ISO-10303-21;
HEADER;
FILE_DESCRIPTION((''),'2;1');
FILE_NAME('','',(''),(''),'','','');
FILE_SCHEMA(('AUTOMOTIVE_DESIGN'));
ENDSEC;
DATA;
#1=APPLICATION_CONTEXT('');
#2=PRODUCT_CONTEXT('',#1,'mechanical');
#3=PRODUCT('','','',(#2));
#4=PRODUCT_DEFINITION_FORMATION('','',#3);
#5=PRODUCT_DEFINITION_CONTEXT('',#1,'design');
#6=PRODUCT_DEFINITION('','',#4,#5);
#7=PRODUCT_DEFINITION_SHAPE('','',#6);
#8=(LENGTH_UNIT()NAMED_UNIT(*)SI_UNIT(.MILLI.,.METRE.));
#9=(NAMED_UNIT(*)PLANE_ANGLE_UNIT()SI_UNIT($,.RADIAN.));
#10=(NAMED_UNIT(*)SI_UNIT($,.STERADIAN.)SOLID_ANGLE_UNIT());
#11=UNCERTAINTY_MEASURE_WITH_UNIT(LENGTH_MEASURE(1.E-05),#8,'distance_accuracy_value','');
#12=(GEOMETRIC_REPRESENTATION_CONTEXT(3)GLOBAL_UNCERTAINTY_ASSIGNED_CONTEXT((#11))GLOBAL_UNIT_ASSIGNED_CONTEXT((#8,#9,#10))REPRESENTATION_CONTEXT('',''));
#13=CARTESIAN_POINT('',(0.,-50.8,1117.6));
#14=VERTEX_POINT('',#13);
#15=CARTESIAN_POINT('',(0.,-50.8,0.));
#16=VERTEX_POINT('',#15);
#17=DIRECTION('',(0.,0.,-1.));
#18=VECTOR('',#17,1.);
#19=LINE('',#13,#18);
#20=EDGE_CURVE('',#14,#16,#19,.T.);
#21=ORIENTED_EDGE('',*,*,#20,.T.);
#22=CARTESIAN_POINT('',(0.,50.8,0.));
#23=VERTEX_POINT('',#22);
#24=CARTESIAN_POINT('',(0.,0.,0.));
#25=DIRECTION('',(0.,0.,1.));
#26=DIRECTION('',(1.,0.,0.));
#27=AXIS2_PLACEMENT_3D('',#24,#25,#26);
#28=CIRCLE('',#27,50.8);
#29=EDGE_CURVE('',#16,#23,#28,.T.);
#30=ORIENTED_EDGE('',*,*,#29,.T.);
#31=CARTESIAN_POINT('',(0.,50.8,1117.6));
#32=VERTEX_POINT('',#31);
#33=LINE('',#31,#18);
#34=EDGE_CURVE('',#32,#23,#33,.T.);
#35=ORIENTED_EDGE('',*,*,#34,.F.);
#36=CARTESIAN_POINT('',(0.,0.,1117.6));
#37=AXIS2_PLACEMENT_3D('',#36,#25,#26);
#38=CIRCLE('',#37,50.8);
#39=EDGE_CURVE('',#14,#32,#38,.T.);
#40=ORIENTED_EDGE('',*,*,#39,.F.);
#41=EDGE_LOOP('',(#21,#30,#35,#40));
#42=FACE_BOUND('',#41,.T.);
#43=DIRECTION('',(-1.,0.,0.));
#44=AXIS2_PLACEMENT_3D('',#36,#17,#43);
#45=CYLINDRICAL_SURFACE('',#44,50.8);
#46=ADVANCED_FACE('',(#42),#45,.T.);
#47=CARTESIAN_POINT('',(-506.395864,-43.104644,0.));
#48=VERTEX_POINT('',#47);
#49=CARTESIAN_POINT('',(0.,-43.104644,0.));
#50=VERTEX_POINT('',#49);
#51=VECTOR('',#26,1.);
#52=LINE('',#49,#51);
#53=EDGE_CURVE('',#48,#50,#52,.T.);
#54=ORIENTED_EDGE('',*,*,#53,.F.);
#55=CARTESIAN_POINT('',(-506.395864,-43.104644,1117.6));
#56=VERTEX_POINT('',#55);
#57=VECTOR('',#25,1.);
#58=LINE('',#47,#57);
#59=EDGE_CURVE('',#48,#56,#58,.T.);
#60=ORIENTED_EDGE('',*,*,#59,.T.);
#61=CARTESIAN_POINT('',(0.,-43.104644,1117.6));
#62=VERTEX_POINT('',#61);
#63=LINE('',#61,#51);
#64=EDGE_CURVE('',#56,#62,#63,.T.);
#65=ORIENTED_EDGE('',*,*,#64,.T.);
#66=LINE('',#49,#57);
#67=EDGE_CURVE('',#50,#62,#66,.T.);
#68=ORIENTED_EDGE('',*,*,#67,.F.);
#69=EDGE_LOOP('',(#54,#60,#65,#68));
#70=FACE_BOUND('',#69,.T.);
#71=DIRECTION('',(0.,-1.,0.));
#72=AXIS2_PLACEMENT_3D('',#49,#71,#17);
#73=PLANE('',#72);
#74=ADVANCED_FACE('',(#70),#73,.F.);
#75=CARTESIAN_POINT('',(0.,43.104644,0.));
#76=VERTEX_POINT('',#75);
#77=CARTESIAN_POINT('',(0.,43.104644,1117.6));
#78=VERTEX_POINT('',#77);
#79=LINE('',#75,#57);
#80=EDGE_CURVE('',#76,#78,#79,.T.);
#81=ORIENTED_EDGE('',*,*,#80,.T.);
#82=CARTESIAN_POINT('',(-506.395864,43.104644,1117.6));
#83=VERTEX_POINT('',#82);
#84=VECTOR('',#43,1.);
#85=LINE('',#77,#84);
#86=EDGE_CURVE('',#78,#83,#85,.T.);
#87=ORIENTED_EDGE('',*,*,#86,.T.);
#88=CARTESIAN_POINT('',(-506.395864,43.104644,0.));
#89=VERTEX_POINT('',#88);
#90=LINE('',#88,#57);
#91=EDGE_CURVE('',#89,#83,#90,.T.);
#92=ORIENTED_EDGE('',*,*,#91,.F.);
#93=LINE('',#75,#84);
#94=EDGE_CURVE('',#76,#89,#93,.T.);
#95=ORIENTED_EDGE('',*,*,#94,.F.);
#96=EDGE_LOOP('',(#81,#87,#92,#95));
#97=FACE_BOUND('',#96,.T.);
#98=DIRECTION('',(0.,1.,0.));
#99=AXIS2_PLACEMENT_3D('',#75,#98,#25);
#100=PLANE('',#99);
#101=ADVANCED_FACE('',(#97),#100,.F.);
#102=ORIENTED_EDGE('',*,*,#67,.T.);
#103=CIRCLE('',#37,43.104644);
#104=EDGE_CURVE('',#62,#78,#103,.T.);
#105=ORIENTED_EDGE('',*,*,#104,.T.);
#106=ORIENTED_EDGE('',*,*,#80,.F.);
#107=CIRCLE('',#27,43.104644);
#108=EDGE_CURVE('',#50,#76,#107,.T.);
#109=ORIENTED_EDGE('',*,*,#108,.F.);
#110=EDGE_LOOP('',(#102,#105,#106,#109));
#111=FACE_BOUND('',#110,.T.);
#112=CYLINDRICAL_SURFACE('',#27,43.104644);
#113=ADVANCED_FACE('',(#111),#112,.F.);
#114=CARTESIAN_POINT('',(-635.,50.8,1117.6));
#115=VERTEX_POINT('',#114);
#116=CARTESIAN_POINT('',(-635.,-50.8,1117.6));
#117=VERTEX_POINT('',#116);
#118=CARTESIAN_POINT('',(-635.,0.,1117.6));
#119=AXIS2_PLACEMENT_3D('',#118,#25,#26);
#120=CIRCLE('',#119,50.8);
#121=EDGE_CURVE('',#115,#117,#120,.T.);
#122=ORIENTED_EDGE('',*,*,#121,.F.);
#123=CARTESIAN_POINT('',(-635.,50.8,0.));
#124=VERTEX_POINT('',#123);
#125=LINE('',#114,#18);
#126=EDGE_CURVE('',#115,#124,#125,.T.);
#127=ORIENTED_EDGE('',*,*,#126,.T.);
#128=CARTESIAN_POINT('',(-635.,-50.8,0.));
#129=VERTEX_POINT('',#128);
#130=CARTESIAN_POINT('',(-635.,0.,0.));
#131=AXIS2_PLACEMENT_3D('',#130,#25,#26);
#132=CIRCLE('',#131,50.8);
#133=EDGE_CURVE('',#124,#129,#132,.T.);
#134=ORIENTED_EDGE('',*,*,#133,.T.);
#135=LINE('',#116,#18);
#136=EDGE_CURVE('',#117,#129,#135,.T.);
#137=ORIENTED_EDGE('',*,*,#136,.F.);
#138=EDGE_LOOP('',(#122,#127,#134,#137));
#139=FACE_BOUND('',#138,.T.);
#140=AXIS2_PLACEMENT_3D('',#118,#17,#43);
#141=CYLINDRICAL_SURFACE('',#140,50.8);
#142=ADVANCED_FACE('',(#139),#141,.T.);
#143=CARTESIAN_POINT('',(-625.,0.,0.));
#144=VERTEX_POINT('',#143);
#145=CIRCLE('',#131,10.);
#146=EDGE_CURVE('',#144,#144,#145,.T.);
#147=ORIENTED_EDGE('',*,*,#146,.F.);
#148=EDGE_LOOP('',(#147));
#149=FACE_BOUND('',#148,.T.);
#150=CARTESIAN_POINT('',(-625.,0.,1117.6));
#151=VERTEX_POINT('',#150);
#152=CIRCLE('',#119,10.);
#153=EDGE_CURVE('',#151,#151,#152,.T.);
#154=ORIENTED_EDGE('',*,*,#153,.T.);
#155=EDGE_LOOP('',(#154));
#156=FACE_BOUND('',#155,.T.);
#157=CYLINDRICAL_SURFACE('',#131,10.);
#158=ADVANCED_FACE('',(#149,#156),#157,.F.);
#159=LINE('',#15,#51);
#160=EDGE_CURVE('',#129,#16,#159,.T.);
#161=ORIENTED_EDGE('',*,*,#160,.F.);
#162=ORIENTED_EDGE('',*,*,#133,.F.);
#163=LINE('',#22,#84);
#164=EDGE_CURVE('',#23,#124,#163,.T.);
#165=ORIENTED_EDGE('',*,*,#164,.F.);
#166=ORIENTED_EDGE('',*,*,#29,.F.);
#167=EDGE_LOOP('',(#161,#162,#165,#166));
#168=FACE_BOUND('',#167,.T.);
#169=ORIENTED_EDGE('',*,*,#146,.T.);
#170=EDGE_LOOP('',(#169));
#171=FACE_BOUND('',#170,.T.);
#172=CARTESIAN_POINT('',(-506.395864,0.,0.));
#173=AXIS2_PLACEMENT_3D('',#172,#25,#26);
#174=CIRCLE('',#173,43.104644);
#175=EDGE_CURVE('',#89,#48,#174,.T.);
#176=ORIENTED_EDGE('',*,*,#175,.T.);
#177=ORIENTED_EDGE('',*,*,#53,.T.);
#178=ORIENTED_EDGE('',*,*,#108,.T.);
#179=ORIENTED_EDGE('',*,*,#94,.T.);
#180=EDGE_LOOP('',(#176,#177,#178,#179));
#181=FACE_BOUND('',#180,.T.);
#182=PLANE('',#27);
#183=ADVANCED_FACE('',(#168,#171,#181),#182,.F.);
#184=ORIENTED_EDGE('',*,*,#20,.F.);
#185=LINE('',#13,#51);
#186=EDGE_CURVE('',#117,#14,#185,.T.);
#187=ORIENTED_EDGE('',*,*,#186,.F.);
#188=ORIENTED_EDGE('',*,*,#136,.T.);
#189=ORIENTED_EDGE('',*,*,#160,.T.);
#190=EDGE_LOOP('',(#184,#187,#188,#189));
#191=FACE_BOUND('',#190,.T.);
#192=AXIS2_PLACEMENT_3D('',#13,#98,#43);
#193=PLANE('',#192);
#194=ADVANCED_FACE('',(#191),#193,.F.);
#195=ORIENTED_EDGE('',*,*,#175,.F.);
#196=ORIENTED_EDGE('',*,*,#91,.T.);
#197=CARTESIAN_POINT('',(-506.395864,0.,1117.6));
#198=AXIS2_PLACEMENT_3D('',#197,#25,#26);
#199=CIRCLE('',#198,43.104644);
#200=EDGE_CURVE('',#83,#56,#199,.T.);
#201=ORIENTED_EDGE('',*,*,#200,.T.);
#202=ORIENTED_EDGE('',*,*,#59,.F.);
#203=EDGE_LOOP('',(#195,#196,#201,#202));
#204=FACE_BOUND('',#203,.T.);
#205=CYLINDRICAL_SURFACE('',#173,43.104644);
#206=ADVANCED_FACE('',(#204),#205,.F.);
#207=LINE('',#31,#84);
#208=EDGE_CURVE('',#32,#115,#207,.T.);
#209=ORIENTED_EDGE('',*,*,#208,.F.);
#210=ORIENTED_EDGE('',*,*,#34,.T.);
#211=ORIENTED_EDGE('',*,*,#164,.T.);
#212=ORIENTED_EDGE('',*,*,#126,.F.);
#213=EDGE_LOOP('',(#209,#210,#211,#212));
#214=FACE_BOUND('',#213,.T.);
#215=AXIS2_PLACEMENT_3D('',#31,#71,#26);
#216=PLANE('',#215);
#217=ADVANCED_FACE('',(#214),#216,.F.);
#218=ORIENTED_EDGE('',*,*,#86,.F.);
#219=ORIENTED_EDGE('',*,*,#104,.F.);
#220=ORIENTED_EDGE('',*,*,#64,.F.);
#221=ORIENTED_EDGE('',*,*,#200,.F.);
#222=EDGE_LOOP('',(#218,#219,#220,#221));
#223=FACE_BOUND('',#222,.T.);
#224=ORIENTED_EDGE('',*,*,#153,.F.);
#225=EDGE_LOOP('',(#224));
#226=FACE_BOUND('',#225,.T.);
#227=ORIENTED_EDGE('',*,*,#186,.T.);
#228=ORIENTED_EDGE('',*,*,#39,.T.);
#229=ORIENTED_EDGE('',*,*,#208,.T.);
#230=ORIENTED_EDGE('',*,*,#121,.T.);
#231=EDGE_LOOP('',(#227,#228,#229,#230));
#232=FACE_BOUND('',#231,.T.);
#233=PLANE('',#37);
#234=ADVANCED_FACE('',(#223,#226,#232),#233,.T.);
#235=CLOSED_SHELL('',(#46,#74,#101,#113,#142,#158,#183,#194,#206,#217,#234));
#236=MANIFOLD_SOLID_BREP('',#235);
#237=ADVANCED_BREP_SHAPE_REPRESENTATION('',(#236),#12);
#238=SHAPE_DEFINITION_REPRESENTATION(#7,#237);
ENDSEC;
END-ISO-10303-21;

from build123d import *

# Parameters (mm, degrees)
BOSS_EXTRUDE2_DEPTH = 1117.6
SKETCH3_R           = 10
CUT_EXTRUDE1_DEPTH  = 1117.6


with BuildPart() as part:
    # Sketch2 → Boss-Extrude2 (new body)
    with BuildSketch(Plane.XY):
        with BuildLine():
            Line((0, -50.8), (-635, -50.8))
            ThreePointArc((-635, -50.8), (-685.8, 0), (-635, 50.8))
            Line((-635, 50.8), (0, 50.8))
            ThreePointArc((0, 50.8), (50.8, 0), (0, -50.8))
        make_face()
    extrude(amount=BOSS_EXTRUDE2_DEPTH)

    # Sketch3 → Cut-Extrude1 (cut)
    with BuildSketch(Plane.XY.offset(1117.6)):
        with Locations((-635, 0)):
            Circle(SKETCH3_R)
        with BuildLine():
            Line((0, -43.104643513), (-506.395864425, -43.104643513))
            ThreePointArc((-506.395864425, -43.104643513), (-549.500507938, 0), (-506.395864425, 43.104643513))
            Line((-506.395864425, 43.104643513), (0, 43.104643513))
            ThreePointArc((0, 43.104643513), (43.104643513, 0), (0, -43.104643513))
        make_face()
    extrude(amount=-CUT_EXTRUDE1_DEPTH, mode=Mode.SUBTRACT)


solid = part.part
